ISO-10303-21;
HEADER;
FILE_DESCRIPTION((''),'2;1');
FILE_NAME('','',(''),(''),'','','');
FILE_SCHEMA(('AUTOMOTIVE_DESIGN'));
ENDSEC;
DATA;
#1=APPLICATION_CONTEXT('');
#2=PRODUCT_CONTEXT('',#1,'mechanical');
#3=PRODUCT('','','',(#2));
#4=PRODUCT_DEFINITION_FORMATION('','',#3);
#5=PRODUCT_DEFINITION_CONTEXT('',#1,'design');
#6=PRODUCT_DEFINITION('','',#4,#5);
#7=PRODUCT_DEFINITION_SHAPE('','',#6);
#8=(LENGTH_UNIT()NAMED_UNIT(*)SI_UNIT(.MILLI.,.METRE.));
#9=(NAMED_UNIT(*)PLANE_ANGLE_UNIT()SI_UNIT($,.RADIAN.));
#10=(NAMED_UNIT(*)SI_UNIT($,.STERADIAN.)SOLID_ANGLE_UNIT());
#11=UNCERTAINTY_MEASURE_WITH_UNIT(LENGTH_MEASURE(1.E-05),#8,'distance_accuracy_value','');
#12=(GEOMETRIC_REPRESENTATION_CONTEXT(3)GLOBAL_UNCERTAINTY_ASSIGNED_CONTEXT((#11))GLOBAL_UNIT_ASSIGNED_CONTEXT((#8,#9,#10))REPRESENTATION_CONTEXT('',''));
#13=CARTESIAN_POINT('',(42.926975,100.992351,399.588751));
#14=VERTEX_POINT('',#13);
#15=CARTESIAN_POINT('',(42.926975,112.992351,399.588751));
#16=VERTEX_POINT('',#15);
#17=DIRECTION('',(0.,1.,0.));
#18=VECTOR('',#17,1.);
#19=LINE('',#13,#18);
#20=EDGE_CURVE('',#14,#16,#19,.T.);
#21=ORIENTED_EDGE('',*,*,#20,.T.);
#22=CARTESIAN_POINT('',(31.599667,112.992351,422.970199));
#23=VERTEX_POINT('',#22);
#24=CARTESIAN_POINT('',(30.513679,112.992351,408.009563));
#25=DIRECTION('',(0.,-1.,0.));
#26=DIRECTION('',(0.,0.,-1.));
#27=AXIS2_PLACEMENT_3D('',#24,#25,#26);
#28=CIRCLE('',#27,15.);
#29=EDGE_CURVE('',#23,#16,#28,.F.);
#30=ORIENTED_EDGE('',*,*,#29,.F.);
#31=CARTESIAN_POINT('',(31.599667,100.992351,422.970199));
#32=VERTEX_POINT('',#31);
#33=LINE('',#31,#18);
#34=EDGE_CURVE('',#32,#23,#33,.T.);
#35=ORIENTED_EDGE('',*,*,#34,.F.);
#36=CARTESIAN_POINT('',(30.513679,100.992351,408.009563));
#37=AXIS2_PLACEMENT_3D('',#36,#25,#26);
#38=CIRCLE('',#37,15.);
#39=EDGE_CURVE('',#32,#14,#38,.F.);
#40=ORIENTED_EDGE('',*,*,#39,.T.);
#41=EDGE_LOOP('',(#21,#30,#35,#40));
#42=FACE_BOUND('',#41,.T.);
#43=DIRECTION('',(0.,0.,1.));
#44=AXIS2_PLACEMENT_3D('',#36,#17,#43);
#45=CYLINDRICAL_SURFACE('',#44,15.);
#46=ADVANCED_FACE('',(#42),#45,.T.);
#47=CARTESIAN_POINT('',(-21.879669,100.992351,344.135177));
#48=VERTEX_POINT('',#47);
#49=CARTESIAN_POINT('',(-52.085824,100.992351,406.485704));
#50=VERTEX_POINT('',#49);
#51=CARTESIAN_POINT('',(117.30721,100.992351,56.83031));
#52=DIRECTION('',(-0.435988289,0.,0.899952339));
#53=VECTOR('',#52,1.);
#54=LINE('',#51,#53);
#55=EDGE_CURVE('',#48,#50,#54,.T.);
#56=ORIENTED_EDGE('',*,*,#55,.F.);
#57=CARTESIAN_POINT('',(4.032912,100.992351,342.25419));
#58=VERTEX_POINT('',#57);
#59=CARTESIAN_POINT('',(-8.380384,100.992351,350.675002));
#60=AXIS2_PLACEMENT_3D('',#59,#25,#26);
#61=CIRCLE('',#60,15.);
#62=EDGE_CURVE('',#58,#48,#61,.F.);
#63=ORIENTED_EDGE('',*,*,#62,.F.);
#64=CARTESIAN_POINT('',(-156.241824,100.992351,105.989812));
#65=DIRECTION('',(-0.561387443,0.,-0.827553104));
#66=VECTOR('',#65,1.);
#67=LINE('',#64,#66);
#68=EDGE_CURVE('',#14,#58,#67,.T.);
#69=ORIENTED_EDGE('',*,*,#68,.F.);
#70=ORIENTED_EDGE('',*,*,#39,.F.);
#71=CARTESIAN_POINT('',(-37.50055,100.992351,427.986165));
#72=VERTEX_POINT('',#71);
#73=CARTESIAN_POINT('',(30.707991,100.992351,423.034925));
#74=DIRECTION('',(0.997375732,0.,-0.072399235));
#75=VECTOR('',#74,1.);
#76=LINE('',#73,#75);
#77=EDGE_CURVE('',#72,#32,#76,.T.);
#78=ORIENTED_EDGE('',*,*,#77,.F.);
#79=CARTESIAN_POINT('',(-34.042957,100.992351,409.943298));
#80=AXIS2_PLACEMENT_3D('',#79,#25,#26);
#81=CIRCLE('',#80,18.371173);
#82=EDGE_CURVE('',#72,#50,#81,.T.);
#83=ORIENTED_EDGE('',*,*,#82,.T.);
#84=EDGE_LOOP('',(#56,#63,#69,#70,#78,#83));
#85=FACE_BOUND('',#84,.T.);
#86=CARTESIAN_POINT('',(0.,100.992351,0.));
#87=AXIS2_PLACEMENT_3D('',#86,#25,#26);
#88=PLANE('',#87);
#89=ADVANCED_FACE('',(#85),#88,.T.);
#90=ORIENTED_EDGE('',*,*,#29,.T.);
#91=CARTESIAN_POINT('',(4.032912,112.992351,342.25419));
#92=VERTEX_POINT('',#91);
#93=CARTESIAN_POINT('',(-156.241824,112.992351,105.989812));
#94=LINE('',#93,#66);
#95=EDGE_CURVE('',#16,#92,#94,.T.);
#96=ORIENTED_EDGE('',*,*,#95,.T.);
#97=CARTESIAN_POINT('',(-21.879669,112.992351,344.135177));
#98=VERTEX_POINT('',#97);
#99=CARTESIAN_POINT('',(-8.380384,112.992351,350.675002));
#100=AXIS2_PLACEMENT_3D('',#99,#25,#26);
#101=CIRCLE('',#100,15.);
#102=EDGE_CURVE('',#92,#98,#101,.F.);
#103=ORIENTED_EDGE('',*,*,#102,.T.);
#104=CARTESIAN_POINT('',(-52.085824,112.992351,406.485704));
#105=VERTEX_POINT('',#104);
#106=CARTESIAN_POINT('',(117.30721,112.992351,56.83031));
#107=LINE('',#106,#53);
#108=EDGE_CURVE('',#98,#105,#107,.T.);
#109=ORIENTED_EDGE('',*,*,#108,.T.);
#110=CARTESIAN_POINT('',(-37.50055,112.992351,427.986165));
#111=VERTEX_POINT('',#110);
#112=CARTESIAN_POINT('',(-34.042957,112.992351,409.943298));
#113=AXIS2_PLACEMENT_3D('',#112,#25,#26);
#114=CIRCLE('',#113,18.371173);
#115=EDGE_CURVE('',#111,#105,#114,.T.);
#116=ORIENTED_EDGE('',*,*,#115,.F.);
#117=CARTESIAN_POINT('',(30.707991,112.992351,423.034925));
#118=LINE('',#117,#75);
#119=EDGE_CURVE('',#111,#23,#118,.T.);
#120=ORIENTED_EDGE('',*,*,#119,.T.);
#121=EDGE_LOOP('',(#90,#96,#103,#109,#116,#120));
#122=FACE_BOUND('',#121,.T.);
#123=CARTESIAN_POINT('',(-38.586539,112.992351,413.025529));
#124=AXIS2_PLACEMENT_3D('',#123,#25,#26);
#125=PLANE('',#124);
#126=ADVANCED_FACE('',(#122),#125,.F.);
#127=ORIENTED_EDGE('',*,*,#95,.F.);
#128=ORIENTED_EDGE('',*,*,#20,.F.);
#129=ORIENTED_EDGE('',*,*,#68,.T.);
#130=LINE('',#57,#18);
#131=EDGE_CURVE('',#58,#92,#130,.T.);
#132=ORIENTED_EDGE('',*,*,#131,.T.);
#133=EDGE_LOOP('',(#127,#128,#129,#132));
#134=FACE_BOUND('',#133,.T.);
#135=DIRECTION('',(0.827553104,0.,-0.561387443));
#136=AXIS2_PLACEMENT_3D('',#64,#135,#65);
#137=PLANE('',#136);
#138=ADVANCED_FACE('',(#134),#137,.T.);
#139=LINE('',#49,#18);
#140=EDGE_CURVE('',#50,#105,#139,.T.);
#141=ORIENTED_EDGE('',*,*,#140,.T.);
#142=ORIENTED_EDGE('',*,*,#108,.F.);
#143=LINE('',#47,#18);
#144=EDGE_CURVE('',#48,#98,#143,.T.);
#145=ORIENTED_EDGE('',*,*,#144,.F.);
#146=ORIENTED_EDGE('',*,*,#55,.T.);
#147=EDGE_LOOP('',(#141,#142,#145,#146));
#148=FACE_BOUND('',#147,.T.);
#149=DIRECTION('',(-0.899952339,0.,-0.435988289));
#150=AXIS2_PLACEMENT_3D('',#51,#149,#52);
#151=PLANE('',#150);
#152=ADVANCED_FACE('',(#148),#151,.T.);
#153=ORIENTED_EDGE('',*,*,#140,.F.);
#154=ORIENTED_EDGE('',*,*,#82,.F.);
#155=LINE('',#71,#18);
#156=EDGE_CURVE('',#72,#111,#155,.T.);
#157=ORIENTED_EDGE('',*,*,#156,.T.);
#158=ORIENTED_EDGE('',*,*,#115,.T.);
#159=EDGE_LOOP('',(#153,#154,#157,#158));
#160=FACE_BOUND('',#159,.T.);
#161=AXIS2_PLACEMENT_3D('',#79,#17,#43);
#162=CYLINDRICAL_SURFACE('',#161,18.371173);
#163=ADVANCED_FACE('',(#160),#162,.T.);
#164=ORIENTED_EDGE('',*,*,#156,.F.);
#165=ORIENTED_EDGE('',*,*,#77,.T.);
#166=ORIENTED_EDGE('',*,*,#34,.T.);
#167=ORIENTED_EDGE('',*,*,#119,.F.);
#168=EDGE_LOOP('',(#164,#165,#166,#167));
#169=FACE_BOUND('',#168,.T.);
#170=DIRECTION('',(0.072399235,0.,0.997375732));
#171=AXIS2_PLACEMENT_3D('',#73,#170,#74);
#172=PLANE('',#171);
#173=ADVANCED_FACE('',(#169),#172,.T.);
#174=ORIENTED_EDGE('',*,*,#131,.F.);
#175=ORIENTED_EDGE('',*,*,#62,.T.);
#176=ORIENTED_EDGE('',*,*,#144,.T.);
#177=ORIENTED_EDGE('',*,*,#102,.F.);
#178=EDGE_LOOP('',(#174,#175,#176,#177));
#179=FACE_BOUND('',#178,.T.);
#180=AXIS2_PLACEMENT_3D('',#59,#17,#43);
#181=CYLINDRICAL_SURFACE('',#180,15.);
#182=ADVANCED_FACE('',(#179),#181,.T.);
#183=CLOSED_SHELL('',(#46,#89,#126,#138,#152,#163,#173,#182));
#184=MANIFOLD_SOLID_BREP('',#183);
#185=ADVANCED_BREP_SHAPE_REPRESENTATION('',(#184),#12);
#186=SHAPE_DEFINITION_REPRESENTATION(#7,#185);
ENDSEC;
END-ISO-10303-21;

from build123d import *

# Parameters (mm, degrees)
BOSS_EXTRUDE1_DEPTH = 10
BOSS_EXTRUDE2_DEPTH = 10
BOSS_EXTRUDE3_DEPTH = 2


with BuildPart() as part:
    # Sketch1 → Boss-Extrude1 (new body)
    with BuildSketch(Plane.XZ.offset(-112.992351319)):
        with BuildLine():
            Line((-38.224542698, 418.012407464), (30.875674984, 412.996441329))
            ThreePointArc((30.875674984, 412.996441329), (35.013440502, 410.189504116), (34.651444327, 405.202625456))
            Line((34.651444327, 405.202625456), (-4.242618611, 347.868064603))
            ThreePointArc((-4.242618611, 347.868064603), (-8.742380303, 345.688123157), (-12.880145821, 348.49506037))
            Line((-12.880145821, 348.49506037), (-43.086300565, 410.845587357))
            ThreePointArc((-43.086300565, 410.845587357), (-42.724304391, 415.832466017), (-38.224542698, 418.012407464))
        make_face()
    extrude(amount=BOSS_EXTRUDE1_DEPTH)



with BuildPart() as body_2:
    # Sketch3 → Boss-Extrude2 (new body)
    with BuildSketch(Plane.XZ.offset(-102.992351319)):
        with BuildLine():
            Line((4.032912425, 342.254190176), (42.926975363, 399.588751029))
            ThreePointArc((42.926975363, 399.588751029), (44.012963887, 414.549387009), (31.599667334, 422.970198649))
            Line((31.599667334, 422.970198649), (-37.500550349, 427.986164784))
            ThreePointArc((-37.500550349, 427.986164784), (-49.24607828, 420.256643692), (-52.08582395, 406.485704464))
            Line((-52.08582395, 406.485704464), (-21.879669206, 344.135177477))
            ThreePointArc((-21.879669206, 344.135177477), (-9.466372653, 335.714365837), (4.032912425, 342.254190176))
        make_face()
        with BuildLine():
            ThreePointArc((-43.086300565, 410.845587357), (-42.724304391, 415.832466017), (-38.224542698, 418.012407464))
            Line((-38.224542698, 418.012407464), (30.875674984, 412.996441329))
            ThreePointArc((30.875674984, 412.996441329), (35.013440502, 410.189504116), (34.651444327, 405.202625456))
            Line((34.651444327, 405.202625456), (-4.242618611, 347.868064603))
            ThreePointArc((-4.242618611, 347.868064603), (-8.742380303, 345.688123157), (-12.880145821, 348.49506037))
            Line((-12.880145821, 348.49506037), (-43.086300565, 410.845587357))
        make_face(mode=Mode.SUBTRACT)
    extrude(amount=-BOSS_EXTRUDE2_DEPTH)


with BuildPart() as part_1:
    add(part.part)

    add(body_2.part)  # Boss-Extrude3 merges body 2
    # Sketch3<3> → Boss-Extrude3 (add)
    with BuildSketch(Plane.XZ.offset(-102.992351319)):
        with BuildLine():
            Line((4.032912425, 342.254190176), (42.926975363, 399.588751029))
            ThreePointArc((42.926975363, 399.588751029), (44.012963887, 414.549387009), (31.599667334, 422.970198649))
            Line((31.599667334, 422.970198649), (-37.500550349, 427.986164784))
            ThreePointArc((-37.500550349, 427.986164784), (-49.24607828, 420.256643692), (-52.08582395, 406.485704464))
            Line((-52.08582395, 406.485704464), (-21.879669206, 344.135177477))
            ThreePointArc((-21.879669206, 344.135177477), (-9.466372653, 335.714365837), (4.032912425, 342.254190176))
        make_face()
    extrude(amount=BOSS_EXTRUDE3_DEPTH)


solid = part_1.part
